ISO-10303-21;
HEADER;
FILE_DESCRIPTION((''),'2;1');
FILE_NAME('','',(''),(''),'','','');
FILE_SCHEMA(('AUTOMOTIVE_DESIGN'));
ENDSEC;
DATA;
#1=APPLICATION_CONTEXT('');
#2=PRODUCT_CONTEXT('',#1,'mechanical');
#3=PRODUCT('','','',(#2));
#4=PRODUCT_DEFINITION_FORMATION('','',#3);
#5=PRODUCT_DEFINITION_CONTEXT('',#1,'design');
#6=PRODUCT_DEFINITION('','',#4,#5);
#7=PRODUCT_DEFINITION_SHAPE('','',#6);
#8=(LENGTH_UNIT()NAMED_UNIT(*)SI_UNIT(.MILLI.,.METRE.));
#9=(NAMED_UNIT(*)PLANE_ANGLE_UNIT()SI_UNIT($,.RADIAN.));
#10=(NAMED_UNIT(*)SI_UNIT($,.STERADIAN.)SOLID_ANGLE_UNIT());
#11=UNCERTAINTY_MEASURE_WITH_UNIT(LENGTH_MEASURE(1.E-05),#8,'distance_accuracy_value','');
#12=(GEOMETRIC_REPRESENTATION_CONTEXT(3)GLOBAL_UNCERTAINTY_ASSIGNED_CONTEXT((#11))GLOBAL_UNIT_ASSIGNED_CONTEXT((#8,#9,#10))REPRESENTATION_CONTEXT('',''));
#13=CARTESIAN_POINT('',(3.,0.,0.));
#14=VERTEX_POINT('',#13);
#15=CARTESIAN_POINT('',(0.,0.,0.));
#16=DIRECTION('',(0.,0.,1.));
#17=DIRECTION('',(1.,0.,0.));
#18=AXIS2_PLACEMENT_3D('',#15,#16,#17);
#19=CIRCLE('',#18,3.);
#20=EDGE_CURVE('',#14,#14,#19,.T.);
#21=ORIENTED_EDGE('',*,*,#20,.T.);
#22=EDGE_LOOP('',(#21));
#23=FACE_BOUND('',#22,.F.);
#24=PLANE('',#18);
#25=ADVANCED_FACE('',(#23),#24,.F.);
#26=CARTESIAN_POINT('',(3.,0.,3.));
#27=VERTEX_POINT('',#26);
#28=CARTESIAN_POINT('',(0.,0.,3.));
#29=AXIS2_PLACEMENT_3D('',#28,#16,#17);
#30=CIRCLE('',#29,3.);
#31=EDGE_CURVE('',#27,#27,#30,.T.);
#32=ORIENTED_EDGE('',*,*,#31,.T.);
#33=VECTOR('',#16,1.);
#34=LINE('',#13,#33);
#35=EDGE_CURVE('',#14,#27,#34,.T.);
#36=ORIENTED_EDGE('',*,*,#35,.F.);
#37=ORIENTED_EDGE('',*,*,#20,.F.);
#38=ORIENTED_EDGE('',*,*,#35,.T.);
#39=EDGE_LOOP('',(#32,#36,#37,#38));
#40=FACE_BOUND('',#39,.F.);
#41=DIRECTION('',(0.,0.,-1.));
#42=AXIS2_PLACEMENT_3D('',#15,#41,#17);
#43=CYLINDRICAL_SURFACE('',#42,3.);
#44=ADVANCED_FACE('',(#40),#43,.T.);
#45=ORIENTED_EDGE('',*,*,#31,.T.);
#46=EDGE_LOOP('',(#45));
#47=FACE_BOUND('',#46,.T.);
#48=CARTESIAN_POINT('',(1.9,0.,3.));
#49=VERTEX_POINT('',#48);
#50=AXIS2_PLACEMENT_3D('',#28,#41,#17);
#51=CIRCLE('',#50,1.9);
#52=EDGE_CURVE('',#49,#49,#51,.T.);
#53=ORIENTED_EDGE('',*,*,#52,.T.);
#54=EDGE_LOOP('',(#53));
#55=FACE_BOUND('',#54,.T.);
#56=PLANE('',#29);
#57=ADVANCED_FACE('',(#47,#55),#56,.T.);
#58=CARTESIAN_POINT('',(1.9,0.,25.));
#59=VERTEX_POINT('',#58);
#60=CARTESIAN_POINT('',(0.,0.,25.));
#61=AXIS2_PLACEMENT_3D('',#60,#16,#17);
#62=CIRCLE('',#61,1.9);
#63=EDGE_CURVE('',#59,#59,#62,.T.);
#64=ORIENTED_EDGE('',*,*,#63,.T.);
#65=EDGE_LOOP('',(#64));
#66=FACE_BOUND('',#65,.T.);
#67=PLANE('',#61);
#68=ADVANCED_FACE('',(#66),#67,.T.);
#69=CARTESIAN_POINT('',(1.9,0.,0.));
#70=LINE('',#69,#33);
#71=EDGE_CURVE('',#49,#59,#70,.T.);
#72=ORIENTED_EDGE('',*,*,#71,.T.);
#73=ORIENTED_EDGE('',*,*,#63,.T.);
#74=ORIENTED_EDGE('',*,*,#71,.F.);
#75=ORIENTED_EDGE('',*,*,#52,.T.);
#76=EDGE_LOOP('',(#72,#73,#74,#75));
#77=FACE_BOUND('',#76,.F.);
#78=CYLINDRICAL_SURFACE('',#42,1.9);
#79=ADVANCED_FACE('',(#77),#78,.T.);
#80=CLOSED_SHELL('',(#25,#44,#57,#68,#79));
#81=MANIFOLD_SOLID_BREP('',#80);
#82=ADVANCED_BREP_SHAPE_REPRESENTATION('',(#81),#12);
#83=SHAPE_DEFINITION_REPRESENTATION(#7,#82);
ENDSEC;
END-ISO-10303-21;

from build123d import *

# Parameters (mm, degrees)
CYLINDER001_R     = 3
CYLINDER001_DEPTH = 3
CYLINDER_R        = 1.9
CYLINDER_DEPTH    = 25


with BuildPart() as bolt_head:
    # Cylinder001 → Cylinder001 (new body)
    with BuildSketch(Plane.XY):
        Circle(CYLINDER001_R)
    extrude(amount=CYLINDER001_DEPTH)


with BuildPart() as m3_bolt:
    # Cylinder → Cylinder (new body)
    with BuildSketch(Plane.XY):
        Circle(CYLINDER_R)
    extrude(amount=CYLINDER_DEPTH)

    # Fusion: union Bolt_Head
    add(bolt_head.part)


solid = m3_bolt.part
